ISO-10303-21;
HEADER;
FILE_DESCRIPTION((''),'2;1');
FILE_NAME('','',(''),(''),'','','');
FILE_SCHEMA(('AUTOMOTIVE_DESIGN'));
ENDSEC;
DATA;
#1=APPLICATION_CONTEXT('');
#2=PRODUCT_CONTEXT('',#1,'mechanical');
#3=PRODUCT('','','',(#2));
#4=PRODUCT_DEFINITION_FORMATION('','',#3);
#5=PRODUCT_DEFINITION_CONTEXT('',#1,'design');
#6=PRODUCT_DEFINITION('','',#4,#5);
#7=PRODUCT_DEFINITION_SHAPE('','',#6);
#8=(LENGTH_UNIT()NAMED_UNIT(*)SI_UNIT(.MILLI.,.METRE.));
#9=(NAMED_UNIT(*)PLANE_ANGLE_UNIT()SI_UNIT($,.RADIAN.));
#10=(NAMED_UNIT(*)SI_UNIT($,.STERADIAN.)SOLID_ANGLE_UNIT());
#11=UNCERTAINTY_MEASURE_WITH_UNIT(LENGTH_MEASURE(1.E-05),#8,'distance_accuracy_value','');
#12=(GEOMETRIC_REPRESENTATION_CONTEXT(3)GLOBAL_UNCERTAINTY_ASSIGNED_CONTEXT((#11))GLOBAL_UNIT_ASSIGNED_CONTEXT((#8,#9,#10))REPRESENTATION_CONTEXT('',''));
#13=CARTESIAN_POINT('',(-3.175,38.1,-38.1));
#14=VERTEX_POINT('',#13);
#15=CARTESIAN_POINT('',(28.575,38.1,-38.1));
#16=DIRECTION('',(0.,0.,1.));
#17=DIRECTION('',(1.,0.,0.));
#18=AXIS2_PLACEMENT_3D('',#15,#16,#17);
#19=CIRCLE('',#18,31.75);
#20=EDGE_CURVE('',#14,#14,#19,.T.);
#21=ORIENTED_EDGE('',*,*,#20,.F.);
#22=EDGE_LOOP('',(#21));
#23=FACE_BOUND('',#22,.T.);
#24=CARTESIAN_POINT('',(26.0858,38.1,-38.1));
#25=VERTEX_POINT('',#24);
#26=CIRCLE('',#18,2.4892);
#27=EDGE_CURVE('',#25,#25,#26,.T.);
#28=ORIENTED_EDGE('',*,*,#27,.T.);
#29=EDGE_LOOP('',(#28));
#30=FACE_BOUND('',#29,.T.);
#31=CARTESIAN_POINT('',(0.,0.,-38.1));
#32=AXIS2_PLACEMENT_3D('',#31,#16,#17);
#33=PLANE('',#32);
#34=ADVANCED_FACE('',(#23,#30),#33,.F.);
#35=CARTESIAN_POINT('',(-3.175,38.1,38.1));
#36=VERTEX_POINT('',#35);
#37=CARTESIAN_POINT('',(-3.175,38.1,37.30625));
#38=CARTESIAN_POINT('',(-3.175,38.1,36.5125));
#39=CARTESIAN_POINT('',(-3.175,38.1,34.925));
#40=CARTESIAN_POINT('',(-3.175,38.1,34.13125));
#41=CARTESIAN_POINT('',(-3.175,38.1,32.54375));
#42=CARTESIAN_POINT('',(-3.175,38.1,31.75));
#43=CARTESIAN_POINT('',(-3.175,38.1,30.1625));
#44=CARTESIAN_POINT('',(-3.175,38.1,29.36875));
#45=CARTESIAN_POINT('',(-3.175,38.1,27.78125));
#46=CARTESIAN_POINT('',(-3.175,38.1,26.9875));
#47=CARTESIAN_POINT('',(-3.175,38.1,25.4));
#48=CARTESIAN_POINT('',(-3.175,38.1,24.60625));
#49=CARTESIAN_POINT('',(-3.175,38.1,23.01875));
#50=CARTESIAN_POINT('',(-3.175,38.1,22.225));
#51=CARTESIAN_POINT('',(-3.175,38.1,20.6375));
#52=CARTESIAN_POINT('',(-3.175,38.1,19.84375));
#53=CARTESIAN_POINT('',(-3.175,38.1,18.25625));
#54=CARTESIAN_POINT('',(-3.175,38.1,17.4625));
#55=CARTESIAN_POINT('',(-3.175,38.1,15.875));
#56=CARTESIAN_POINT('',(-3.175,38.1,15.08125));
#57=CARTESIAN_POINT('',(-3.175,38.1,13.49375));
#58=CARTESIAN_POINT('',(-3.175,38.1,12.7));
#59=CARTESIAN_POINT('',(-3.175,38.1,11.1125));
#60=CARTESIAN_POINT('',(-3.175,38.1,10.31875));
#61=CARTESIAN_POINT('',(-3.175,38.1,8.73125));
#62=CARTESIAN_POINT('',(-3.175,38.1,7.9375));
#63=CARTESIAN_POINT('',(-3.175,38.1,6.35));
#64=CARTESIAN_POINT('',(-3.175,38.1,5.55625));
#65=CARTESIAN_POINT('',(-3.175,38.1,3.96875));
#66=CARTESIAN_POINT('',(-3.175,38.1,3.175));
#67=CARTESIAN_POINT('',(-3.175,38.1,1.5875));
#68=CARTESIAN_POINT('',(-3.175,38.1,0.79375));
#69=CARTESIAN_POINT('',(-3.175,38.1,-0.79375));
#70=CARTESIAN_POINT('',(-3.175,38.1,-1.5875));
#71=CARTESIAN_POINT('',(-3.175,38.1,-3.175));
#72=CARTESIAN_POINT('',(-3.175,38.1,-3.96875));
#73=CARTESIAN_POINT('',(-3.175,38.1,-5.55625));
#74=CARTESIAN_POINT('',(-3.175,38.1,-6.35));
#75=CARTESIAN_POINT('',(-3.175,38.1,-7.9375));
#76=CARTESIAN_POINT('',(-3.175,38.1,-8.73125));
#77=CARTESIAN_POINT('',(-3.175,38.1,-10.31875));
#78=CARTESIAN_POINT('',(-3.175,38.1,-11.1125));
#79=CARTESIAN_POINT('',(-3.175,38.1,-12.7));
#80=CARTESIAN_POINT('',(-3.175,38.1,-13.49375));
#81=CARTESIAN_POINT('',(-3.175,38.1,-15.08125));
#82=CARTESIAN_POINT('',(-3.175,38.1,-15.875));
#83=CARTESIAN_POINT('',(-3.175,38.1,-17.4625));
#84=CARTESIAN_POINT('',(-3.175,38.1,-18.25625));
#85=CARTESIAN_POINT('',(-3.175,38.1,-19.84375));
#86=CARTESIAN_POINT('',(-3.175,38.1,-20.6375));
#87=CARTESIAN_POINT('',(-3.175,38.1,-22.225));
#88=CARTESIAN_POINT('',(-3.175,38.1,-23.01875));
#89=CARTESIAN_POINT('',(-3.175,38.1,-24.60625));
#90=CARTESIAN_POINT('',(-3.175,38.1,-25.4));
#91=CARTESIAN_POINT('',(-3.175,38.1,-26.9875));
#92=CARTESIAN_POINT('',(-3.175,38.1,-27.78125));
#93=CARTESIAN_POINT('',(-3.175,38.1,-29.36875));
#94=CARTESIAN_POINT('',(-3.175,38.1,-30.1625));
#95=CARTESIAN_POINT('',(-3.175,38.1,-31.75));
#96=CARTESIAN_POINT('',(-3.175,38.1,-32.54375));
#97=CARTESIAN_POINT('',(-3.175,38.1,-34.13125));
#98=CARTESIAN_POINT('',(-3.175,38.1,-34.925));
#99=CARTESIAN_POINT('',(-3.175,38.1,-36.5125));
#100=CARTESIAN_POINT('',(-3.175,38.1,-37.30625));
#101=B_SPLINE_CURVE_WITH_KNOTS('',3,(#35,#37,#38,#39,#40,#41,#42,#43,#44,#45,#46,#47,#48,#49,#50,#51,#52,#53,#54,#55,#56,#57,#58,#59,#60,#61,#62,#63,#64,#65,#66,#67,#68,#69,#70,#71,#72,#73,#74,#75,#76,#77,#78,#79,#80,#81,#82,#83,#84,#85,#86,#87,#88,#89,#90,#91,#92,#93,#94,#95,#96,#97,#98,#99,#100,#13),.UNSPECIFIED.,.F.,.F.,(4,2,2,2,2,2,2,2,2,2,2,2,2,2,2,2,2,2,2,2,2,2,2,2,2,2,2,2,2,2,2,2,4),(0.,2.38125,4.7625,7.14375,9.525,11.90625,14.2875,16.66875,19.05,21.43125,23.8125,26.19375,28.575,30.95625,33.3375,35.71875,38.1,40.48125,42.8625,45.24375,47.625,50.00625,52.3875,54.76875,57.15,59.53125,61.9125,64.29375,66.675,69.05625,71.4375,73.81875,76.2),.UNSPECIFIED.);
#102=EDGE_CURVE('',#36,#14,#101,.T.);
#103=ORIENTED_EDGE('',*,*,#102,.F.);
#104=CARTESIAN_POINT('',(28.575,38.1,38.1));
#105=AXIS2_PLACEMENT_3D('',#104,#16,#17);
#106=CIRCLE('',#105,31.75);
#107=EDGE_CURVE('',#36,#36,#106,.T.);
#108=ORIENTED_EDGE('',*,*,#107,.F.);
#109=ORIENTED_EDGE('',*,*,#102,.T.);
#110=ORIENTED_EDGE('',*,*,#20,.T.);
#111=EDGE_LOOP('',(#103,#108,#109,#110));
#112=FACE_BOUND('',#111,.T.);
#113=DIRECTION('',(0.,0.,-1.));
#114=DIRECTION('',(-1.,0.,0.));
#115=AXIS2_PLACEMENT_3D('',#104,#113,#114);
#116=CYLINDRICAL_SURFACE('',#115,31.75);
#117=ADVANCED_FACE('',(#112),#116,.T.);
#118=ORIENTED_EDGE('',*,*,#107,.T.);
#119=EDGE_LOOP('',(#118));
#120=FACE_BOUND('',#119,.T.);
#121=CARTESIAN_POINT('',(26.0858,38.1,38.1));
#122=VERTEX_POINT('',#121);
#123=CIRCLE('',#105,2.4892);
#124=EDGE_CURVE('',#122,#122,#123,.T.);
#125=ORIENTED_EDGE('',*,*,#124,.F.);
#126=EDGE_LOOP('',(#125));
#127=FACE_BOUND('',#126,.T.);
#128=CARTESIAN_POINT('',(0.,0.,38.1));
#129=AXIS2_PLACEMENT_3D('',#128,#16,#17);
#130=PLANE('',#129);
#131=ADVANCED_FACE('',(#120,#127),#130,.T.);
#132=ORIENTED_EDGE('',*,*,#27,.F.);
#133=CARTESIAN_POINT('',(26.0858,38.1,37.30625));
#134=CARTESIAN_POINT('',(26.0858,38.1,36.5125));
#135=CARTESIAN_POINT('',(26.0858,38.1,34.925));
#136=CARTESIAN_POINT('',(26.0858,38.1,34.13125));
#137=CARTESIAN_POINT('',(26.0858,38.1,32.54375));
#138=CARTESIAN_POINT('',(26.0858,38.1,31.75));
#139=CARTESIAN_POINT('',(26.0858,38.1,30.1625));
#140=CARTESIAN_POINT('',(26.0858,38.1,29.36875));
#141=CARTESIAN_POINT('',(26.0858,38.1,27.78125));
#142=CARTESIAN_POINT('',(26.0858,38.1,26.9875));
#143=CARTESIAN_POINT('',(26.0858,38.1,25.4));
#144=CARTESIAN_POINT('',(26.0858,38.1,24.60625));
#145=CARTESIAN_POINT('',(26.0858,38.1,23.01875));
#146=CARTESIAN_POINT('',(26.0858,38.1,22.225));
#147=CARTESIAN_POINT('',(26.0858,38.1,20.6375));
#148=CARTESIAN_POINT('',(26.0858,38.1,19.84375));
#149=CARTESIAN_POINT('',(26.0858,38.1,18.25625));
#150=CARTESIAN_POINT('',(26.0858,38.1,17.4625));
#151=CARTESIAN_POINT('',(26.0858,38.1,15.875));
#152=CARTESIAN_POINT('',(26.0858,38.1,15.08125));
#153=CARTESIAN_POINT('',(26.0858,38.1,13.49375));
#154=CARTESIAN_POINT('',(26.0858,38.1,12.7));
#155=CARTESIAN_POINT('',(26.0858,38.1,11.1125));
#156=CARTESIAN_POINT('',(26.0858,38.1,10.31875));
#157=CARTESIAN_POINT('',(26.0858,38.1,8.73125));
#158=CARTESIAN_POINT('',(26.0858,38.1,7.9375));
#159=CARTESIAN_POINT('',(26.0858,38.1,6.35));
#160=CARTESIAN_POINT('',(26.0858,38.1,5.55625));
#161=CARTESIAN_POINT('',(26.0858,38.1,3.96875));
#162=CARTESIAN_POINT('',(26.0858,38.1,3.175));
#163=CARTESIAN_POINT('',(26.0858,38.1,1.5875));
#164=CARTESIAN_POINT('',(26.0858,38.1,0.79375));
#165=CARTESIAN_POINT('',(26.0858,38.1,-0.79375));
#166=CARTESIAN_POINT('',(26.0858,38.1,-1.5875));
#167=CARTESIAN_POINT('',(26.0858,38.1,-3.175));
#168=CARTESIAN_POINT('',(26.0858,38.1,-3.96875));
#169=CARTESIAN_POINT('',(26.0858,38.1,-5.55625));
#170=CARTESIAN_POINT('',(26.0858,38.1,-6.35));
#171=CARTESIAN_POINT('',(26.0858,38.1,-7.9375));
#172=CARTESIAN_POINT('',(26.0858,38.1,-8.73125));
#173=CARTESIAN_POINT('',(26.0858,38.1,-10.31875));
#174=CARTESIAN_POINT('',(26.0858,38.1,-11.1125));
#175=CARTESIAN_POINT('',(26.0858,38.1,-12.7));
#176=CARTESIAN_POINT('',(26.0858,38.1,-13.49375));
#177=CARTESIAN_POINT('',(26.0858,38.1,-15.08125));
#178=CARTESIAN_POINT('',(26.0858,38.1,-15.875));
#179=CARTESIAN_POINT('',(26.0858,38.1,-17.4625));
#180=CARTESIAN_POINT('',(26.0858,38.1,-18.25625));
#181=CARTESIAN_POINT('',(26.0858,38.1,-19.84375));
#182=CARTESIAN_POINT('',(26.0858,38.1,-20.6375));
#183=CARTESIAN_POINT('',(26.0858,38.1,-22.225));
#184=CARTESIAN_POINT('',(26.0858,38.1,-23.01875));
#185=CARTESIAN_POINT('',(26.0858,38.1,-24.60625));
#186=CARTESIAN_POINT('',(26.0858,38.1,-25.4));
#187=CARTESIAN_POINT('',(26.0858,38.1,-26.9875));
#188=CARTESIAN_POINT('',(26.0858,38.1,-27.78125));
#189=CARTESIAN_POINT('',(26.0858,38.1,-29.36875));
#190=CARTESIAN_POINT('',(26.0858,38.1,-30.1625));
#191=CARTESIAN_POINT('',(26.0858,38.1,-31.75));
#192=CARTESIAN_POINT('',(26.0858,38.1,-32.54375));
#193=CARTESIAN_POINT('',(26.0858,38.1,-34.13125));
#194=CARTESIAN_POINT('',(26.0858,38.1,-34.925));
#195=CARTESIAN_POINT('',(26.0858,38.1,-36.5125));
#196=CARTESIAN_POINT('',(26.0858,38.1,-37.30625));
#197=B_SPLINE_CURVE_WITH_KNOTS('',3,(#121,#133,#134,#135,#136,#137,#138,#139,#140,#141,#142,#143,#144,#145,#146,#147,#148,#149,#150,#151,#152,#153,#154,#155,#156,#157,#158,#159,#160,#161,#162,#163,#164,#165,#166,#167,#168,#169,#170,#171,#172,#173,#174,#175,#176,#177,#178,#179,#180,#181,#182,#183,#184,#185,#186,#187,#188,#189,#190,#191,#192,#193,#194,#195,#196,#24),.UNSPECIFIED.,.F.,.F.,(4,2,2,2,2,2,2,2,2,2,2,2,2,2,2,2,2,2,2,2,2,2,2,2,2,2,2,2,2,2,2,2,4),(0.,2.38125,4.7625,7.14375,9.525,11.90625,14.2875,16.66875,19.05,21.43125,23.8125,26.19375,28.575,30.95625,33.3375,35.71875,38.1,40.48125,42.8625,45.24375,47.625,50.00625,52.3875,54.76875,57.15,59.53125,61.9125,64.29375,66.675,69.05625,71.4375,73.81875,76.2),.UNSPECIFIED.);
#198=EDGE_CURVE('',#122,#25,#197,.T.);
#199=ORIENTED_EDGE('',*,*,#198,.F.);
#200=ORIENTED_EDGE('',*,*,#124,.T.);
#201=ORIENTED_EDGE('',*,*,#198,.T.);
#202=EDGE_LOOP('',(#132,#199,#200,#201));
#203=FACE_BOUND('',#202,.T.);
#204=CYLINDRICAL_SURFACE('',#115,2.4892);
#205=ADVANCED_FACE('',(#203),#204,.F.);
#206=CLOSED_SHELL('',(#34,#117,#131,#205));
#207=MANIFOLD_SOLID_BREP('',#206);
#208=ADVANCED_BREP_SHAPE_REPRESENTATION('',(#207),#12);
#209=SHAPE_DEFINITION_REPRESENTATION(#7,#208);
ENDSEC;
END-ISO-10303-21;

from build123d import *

# Parameters (mm, degrees)
SKETCH1_R           = 31.75
SKETCH1_R_2         = 2.4892
BOSS_EXTRUDE1_DEPTH = 38.1


with BuildPart() as part:
    # Sketch1 → Boss-Extrude1 (new, symmetric)
    with BuildSketch(Plane.XY):
        with Locations(Location((28.575, 38.1, 0), (0, 0, 180))):
            Circle(SKETCH1_R)
        with Locations(Location((28.575, 38.1, 0), (0, 0, 180))):
            Circle(SKETCH1_R_2, mode=Mode.SUBTRACT)
    extrude(amount=BOSS_EXTRUDE1_DEPTH, both=True)


solid = part.part
